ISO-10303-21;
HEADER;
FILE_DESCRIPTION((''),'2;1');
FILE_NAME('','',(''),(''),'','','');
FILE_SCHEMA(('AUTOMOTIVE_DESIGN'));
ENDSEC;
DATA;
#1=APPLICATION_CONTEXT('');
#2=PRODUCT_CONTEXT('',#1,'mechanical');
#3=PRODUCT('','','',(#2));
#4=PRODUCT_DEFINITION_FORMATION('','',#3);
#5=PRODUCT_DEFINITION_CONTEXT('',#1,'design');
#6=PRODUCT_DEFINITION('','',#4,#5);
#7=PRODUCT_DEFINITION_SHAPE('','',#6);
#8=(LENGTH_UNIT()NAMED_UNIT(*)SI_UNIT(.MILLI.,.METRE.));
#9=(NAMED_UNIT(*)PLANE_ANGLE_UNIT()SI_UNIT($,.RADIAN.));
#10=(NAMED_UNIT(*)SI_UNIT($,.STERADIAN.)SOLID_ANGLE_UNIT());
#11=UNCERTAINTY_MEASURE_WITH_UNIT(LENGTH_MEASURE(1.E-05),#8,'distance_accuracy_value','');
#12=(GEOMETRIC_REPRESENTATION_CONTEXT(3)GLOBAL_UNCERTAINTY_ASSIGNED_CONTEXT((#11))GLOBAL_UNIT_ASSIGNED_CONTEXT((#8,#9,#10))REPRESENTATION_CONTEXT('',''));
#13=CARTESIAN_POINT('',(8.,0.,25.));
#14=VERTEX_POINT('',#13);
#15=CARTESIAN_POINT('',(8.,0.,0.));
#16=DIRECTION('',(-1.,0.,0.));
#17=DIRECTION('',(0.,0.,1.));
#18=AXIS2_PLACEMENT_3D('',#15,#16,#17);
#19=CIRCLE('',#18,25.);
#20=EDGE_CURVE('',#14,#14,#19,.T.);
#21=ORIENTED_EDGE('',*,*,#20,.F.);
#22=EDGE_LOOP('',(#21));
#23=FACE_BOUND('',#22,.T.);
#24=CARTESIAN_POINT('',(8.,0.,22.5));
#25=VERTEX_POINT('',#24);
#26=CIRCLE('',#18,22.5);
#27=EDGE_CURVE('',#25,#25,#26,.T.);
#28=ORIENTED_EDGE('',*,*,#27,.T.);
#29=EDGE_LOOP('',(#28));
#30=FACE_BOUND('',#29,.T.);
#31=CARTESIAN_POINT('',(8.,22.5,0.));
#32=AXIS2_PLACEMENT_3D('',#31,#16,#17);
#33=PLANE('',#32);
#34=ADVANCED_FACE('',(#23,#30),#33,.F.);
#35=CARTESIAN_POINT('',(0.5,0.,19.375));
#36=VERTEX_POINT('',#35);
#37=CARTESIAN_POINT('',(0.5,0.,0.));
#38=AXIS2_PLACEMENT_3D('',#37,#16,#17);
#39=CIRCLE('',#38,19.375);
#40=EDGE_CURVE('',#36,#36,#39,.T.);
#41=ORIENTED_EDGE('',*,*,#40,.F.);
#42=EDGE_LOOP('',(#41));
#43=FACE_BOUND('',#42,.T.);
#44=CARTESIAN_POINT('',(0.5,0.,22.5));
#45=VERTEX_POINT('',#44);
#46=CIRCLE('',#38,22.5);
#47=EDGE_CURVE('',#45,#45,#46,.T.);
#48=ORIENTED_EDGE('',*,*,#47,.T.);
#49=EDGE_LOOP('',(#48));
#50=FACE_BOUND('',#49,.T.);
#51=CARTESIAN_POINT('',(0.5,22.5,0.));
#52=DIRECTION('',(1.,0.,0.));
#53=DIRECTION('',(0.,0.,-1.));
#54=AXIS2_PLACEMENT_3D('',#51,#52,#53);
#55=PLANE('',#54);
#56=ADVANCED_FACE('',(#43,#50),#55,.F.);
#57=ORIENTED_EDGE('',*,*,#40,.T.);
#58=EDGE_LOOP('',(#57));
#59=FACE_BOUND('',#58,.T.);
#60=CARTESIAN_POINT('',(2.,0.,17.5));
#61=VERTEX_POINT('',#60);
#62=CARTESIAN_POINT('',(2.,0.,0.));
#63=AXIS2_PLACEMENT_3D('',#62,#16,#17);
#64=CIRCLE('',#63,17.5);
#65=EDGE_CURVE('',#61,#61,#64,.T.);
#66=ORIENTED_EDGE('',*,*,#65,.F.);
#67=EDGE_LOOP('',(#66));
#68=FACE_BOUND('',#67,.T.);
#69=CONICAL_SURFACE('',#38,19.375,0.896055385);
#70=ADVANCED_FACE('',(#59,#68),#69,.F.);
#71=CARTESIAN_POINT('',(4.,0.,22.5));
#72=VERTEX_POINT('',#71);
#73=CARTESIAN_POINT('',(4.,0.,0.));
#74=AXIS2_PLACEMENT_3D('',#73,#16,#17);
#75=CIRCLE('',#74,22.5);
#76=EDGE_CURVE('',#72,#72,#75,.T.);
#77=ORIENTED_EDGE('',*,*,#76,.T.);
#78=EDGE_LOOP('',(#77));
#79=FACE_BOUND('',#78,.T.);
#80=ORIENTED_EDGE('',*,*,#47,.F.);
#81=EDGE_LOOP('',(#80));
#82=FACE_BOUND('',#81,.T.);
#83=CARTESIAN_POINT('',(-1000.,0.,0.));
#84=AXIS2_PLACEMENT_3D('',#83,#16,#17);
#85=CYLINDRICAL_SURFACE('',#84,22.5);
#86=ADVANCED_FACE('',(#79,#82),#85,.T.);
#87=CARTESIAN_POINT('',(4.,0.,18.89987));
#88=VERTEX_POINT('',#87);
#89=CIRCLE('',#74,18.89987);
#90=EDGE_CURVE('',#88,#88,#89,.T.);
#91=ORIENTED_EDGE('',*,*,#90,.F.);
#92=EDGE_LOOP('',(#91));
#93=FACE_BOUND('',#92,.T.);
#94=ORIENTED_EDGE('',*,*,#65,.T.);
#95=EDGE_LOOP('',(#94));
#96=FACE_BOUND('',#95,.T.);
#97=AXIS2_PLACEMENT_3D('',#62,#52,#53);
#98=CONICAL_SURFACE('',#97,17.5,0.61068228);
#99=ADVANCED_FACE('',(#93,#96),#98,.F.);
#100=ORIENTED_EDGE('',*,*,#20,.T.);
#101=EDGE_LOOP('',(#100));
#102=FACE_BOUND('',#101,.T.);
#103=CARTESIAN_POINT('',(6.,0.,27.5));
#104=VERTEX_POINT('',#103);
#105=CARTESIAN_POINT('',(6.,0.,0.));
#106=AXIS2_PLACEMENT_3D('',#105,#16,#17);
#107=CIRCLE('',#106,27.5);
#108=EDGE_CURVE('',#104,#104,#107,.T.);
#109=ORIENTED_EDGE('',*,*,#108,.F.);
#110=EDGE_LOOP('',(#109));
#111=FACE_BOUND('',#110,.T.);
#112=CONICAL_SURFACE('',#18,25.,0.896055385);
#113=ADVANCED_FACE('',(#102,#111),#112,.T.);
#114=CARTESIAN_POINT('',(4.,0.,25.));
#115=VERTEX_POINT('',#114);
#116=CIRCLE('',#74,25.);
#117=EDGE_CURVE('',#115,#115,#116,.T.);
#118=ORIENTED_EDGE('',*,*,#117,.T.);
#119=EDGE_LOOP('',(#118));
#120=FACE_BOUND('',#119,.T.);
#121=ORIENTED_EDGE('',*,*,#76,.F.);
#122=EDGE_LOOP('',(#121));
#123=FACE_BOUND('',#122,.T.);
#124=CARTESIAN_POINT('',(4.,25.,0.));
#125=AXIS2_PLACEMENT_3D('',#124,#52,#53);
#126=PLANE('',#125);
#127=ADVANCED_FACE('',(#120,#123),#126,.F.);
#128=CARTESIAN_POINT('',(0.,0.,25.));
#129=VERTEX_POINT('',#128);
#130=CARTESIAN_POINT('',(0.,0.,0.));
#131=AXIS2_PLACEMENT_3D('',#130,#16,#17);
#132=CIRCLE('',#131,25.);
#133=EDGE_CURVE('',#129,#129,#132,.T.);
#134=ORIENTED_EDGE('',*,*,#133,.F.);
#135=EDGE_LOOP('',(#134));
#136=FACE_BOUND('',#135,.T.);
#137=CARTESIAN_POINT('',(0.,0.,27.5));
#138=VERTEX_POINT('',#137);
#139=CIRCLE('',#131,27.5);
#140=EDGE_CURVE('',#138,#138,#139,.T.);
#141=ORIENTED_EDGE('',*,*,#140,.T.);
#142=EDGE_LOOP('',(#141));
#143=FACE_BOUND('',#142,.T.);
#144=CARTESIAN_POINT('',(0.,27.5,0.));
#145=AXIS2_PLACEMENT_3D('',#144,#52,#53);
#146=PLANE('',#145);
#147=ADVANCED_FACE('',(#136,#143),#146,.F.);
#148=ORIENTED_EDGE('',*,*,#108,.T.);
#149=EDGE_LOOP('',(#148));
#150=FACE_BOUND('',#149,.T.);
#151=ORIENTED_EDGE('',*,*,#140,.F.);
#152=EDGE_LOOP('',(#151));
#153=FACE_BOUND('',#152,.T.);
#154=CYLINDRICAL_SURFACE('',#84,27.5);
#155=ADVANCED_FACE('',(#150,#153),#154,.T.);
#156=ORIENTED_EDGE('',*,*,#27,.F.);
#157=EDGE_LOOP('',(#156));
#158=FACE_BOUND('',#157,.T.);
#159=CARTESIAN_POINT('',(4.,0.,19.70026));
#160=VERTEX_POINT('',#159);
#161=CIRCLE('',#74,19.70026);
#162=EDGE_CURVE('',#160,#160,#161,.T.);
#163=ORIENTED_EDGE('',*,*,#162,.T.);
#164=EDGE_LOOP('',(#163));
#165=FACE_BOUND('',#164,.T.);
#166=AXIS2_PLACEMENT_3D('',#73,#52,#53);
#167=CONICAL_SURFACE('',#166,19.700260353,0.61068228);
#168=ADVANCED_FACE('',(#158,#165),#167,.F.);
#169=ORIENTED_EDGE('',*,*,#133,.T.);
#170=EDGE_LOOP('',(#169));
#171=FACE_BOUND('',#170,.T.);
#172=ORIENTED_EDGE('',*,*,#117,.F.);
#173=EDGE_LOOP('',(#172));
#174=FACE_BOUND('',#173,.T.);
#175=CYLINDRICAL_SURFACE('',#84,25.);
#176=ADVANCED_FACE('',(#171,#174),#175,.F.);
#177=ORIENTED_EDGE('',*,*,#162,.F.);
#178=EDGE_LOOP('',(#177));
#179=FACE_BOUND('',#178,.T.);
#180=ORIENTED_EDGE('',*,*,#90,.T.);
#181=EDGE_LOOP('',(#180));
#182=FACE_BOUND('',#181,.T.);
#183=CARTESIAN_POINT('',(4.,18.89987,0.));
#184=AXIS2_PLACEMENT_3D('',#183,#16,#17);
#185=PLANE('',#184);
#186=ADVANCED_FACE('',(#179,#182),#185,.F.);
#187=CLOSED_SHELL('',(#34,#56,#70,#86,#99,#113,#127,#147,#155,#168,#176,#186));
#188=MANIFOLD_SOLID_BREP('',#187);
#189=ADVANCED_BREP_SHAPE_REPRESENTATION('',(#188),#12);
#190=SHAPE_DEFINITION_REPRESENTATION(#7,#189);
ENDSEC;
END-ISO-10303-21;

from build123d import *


with BuildPart() as part:
    # Эскиз2 → Повернуть2 (revolve)
    with BuildSketch(Plane.XY, mode=Mode.PRIVATE) as revolve_2_sk:
        Polygon((8, 25), (6, 27.5), (0, 27.5), (0, 25), (4, 25), (4, 22.5), (0.5, 22.5), (0.5, 19.375), (2, 17.5), (4, 18.899869823), (4, 19.700260353), (8, 22.5), align=None)
    revolve(revolve_2_sk.sketch.rotate(Axis((-1000, 0, 0), (1, 0, 0)), 90), axis=Axis((-1000, 0, 0), (1, 0, 0)))


solid = part.part
